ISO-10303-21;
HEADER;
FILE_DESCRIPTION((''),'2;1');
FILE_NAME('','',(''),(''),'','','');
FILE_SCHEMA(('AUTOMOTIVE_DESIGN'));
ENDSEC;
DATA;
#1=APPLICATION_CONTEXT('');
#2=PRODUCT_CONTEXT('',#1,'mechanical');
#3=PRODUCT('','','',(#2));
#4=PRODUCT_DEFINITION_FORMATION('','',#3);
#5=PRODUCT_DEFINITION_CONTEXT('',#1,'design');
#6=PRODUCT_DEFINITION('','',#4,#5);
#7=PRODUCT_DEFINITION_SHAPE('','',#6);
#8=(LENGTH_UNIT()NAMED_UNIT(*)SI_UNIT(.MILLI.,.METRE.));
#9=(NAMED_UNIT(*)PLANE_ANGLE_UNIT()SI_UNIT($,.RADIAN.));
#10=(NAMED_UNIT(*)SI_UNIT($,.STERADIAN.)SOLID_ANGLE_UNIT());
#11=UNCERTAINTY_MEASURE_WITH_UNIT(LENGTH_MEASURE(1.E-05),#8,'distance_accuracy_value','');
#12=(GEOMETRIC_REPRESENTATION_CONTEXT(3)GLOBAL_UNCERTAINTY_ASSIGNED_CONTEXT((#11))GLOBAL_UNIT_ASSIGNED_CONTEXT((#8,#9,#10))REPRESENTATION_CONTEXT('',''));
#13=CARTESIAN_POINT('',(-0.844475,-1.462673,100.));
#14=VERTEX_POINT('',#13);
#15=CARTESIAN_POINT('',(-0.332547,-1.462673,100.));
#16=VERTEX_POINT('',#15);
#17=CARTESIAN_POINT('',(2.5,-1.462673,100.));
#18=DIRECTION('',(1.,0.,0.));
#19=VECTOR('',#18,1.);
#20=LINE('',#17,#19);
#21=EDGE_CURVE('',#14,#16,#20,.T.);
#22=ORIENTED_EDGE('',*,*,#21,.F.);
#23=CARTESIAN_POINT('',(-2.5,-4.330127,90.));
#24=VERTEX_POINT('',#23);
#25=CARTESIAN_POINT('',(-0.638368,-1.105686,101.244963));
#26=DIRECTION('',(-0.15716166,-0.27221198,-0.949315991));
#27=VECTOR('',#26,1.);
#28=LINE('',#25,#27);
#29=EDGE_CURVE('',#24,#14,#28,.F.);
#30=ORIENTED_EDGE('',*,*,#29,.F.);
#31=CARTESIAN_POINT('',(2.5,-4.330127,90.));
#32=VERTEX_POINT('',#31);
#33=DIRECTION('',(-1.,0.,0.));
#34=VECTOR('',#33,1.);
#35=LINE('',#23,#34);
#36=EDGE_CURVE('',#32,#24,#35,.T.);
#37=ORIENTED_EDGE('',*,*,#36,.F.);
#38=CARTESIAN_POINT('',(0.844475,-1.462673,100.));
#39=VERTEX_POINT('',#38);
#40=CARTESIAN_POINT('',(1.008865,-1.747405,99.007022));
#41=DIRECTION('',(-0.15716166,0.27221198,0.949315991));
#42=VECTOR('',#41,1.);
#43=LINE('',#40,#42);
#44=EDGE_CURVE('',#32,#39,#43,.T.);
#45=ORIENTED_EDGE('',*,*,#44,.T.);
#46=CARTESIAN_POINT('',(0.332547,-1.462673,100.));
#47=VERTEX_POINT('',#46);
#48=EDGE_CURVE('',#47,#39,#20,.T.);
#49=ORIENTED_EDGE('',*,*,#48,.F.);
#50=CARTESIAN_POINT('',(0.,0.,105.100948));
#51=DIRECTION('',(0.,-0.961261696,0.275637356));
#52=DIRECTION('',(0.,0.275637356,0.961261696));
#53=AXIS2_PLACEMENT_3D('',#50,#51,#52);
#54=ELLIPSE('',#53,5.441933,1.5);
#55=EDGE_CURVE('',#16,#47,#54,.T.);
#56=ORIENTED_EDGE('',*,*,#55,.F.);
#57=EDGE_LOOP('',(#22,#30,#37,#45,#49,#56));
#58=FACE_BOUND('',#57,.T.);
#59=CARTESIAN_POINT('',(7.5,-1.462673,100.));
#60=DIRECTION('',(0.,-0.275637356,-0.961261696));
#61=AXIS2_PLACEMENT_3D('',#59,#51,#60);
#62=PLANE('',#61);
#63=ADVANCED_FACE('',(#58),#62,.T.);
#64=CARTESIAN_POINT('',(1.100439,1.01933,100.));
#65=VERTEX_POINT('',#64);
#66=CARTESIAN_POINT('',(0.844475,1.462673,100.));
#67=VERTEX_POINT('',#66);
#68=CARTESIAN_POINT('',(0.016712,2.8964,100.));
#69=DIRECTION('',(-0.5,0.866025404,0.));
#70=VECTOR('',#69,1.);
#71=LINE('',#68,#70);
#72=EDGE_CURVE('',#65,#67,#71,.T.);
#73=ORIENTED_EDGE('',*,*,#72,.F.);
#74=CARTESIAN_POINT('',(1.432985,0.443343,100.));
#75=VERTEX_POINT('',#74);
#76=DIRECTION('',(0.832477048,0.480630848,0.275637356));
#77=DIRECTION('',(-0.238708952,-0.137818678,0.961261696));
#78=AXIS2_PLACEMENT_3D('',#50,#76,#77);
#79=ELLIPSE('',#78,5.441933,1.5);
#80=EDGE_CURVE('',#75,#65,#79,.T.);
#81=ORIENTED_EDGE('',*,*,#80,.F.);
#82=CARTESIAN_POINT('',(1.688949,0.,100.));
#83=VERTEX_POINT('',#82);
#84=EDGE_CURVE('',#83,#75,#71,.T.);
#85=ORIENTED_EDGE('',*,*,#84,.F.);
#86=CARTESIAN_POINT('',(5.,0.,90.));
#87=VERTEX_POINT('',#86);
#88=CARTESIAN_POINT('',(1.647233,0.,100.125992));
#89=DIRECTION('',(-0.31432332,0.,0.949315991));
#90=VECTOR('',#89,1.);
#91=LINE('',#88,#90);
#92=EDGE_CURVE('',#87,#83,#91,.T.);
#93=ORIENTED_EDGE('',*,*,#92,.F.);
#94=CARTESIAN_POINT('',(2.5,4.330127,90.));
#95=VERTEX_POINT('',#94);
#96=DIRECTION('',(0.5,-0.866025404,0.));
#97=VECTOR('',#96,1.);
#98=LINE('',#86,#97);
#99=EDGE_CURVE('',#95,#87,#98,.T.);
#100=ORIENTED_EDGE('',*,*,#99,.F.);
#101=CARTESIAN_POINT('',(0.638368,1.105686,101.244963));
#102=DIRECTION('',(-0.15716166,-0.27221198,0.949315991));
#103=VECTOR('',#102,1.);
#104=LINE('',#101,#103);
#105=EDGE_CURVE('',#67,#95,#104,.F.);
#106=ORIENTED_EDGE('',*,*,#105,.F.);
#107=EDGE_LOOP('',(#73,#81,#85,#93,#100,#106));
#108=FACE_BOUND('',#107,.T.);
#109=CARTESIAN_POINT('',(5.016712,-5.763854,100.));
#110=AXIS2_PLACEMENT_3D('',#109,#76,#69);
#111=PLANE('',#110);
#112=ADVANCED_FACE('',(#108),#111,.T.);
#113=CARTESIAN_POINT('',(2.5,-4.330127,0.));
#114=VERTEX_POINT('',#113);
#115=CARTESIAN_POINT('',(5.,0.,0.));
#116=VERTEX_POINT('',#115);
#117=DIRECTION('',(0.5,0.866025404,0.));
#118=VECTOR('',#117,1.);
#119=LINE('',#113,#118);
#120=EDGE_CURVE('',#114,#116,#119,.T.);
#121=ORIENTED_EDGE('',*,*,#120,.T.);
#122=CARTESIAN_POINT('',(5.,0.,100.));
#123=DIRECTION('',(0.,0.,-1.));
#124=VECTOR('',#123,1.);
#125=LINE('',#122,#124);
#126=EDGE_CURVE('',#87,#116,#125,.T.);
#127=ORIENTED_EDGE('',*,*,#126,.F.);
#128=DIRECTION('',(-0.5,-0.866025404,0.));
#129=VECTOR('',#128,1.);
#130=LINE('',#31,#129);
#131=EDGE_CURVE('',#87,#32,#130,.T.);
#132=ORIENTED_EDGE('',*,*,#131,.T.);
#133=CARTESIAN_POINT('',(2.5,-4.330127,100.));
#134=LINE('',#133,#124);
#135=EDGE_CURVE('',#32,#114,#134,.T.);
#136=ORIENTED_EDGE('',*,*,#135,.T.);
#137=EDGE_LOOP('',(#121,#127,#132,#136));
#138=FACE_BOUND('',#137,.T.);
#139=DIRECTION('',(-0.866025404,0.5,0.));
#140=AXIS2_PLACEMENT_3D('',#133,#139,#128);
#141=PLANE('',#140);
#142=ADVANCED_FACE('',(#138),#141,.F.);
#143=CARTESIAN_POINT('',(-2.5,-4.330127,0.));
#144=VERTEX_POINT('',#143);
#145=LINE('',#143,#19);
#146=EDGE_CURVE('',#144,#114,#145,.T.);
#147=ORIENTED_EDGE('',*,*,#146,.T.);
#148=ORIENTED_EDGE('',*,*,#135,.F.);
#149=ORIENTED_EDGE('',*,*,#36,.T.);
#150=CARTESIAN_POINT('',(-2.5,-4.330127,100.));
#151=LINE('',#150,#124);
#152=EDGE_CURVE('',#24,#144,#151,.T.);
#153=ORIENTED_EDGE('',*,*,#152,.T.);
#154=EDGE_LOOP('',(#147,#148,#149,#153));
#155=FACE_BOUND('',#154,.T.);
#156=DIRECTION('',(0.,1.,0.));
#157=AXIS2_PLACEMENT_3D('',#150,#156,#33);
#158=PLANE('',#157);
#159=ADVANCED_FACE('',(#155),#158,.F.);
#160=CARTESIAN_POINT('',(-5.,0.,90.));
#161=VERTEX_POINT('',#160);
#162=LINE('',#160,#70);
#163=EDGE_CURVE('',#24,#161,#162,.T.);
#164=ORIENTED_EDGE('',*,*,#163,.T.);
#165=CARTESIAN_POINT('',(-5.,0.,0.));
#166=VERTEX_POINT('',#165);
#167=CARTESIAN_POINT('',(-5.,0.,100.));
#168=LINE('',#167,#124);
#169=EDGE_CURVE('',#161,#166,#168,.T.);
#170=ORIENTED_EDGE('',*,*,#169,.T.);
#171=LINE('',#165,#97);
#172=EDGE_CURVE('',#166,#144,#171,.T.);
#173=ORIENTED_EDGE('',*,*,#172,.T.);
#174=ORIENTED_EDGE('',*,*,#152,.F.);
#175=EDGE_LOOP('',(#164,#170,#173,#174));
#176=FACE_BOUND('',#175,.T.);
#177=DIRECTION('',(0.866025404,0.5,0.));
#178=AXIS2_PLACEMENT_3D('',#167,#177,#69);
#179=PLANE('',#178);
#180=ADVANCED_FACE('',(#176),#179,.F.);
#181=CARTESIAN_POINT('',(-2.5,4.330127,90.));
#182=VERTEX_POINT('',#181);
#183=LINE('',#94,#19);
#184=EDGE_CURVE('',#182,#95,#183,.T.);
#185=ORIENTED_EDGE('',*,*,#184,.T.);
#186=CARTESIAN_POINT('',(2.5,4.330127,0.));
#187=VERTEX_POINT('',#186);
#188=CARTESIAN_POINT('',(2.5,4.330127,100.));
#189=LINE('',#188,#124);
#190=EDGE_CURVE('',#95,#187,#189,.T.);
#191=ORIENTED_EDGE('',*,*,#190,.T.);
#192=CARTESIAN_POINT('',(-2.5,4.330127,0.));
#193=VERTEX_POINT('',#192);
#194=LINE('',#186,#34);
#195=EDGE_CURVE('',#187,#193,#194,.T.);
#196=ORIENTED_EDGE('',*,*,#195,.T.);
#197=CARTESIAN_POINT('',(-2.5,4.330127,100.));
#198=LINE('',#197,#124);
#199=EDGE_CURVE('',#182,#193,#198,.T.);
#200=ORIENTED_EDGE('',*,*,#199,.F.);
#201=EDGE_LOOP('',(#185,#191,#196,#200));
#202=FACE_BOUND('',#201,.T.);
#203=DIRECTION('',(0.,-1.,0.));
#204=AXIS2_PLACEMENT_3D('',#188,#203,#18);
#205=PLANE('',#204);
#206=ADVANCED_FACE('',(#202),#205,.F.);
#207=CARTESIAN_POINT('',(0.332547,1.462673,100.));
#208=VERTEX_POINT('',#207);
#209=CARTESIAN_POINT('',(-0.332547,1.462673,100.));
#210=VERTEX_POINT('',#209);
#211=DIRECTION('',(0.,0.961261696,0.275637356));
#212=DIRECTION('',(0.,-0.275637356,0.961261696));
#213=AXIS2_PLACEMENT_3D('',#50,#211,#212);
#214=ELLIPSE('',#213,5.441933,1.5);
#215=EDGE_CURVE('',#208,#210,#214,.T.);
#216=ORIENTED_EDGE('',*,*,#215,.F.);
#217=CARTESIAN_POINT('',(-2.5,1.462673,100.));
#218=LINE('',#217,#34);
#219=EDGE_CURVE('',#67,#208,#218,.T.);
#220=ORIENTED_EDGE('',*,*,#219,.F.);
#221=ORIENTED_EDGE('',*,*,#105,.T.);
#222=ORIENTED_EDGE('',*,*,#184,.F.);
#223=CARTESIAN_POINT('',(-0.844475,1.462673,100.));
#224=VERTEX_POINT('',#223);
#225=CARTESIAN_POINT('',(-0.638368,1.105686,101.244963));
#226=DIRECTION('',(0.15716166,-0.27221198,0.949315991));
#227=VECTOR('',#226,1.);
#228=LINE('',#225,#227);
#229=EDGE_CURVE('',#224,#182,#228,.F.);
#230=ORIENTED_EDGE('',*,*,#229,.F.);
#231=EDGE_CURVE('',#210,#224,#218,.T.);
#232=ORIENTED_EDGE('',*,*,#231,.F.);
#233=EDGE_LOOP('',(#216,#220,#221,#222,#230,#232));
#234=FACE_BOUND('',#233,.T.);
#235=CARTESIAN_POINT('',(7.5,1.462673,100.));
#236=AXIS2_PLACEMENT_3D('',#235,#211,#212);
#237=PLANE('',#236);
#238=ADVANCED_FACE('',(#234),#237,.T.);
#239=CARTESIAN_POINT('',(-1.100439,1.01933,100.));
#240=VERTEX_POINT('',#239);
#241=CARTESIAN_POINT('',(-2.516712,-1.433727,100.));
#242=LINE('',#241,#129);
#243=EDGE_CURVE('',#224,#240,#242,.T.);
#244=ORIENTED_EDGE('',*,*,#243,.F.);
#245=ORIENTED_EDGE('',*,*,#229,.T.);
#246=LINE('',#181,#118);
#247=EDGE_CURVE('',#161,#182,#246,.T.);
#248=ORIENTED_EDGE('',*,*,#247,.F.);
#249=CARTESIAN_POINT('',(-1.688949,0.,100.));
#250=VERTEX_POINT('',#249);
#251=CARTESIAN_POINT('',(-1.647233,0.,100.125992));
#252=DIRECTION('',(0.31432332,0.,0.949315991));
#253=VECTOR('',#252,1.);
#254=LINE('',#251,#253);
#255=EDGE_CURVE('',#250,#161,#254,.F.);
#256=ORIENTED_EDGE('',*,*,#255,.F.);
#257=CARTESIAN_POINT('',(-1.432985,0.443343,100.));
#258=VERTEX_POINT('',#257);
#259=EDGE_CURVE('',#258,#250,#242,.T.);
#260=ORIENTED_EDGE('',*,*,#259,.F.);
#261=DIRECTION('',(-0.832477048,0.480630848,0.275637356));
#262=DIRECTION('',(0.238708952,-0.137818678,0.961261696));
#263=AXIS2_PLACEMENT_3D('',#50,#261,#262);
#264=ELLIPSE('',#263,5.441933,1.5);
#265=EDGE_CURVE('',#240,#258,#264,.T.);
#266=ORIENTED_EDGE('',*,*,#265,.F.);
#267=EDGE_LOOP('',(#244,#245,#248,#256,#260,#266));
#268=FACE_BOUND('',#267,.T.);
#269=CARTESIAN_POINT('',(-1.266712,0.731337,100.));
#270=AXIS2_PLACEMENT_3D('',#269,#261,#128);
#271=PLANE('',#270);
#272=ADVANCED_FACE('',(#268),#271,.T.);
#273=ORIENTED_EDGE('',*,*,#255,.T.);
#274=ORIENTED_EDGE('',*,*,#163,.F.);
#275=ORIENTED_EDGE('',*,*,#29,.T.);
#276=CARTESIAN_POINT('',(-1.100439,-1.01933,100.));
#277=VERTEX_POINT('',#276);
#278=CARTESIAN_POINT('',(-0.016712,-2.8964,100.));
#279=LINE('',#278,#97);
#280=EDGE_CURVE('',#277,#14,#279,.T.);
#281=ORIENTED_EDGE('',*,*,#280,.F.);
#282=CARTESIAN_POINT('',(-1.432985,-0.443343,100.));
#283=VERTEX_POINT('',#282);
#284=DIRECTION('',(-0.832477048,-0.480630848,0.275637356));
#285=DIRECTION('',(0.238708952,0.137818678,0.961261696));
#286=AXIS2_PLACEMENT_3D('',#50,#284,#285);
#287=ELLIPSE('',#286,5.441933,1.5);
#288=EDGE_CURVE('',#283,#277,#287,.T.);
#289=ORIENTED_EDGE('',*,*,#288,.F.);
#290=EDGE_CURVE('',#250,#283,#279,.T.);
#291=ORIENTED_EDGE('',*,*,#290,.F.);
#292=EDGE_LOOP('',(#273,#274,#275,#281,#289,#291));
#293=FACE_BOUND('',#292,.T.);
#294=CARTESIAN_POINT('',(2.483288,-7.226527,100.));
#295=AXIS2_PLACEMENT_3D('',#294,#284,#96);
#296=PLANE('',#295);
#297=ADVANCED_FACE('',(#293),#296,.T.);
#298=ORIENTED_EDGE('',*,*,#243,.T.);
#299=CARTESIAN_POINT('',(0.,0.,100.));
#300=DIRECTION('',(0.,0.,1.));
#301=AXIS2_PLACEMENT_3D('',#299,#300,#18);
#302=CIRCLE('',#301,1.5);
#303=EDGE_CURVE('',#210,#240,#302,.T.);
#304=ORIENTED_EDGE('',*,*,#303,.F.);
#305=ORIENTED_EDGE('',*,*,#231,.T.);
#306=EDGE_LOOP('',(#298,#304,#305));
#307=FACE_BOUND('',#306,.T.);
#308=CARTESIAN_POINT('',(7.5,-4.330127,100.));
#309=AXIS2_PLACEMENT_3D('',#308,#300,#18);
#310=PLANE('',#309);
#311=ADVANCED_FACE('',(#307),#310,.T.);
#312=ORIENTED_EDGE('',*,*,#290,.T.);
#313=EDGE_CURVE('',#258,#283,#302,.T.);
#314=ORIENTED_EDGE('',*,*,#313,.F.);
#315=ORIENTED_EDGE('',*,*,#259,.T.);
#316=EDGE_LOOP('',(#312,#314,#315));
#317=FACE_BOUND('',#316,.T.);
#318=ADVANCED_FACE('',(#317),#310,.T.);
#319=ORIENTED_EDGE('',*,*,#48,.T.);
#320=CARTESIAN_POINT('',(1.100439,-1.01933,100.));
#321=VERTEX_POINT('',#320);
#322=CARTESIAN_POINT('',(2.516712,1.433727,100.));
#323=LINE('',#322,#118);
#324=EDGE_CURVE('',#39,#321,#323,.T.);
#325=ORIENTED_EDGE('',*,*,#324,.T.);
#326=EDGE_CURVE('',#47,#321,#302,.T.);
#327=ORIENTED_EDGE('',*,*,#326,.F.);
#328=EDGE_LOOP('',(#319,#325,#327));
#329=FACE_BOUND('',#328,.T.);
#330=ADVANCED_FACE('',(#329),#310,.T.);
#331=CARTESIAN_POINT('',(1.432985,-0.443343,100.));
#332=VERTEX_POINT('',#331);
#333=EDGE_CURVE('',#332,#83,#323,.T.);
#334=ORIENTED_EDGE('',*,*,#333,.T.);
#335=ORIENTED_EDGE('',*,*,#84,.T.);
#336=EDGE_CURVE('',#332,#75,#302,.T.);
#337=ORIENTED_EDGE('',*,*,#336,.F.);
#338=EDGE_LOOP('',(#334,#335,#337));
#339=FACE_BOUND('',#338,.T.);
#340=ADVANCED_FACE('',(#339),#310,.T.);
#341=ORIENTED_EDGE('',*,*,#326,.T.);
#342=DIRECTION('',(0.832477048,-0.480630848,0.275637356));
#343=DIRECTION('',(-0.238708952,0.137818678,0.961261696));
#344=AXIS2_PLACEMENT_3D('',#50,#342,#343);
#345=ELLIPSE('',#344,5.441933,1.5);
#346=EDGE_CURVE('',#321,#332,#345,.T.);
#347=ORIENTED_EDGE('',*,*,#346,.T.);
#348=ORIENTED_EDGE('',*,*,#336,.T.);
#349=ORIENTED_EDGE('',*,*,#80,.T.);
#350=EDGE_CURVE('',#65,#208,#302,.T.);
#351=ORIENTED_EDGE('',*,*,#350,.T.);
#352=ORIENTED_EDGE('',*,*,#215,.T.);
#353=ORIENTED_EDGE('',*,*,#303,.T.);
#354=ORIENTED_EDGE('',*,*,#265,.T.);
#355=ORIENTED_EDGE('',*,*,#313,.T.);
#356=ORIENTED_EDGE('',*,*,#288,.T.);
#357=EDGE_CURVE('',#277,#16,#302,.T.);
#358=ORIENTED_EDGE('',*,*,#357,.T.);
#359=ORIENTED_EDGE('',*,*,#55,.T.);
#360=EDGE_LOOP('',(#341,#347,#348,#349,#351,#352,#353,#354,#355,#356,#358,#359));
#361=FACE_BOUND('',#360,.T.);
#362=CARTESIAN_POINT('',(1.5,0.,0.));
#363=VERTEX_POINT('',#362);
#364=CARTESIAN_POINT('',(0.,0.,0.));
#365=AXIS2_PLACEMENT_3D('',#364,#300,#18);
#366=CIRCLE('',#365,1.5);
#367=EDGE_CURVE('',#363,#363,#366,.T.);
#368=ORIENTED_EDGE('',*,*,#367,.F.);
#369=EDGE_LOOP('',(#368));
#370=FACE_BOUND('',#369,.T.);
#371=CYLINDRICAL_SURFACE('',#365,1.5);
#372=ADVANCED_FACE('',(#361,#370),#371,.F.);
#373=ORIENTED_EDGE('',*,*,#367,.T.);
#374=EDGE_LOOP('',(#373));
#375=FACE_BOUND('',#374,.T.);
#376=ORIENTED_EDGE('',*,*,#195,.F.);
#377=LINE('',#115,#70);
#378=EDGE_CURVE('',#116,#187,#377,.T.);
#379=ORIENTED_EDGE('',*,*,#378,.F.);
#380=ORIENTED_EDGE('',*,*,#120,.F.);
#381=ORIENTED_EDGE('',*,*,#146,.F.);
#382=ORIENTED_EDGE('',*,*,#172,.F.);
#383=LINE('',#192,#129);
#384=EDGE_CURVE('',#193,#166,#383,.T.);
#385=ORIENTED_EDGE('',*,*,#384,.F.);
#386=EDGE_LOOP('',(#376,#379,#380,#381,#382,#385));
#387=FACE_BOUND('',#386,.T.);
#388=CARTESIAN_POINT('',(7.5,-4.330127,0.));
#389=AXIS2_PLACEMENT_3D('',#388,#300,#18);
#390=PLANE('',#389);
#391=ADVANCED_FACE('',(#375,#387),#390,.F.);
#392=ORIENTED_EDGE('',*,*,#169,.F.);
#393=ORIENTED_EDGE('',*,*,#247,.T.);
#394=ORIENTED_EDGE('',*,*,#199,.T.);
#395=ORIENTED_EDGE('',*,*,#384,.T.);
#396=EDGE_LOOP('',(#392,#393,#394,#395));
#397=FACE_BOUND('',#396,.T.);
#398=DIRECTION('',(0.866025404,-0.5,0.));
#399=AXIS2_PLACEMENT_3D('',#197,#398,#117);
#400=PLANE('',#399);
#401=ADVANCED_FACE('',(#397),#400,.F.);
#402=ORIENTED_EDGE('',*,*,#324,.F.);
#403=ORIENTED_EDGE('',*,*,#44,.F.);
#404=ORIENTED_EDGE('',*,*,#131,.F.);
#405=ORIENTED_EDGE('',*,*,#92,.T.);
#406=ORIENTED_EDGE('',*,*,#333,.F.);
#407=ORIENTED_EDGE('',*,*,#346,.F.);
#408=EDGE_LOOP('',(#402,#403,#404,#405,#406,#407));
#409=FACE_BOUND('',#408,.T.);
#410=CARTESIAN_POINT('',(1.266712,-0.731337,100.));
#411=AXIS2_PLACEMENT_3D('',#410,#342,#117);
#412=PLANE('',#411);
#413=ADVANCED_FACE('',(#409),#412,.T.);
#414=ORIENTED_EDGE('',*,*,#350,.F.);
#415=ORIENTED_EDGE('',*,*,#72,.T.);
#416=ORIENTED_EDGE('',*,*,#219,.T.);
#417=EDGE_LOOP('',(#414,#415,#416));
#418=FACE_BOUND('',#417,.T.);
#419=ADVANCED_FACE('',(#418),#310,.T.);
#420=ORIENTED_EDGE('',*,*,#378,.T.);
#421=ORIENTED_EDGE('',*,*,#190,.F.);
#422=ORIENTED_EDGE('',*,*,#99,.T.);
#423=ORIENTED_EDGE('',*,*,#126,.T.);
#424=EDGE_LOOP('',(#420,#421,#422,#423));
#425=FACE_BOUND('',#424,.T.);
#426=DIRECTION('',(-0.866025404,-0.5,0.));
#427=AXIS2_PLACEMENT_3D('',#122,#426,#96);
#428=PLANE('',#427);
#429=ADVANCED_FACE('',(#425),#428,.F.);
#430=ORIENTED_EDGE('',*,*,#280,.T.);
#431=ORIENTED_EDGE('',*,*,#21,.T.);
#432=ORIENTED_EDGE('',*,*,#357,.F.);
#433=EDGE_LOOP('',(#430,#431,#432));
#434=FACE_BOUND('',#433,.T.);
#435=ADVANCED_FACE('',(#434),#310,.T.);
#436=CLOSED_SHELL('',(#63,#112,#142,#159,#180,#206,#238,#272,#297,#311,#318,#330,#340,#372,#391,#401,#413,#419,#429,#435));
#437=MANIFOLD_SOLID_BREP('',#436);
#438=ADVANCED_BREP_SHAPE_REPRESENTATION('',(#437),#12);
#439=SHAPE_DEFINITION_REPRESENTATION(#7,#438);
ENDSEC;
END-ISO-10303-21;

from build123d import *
from OCP.BRepFilletAPI import BRepFilletAPI_MakeChamfer

# Parameters (mm, degrees)
VYSUNOUT1_DEPTH          = 100
ZKOSIT2_SIZE             = 10
ZKOSIT2_SIZE2            = 2.867453858
SKICA2_R                 = 1.5
ODEBRAT_VYSUNUT_M1_DEPTH = 101.218511264


with BuildPart() as part:
    # Skica1 → Vysunout1 (new body)
    with BuildSketch(Plane.XY):
        Polygon((2.5, -4.330127019), (5, 0), (2.5, 4.330127019), (-2.5, 4.330127019), (-5, 0), (-2.5, -4.330127019), align=None)
    extrude(amount=VYSUNOUT1_DEPTH)

    # Zkosit2: one chamfer whose edges measure the first distance from different faces: ONE call of the kernel's chamfer builder (chamfer() names one face for all edges)
    zkosit2_edges_1 = [part.edges().sort_by_distance(p)[0] for p in [
        (3.75, 2.165063509, 100),
    ]]
    zkosit2_side_1 = [part.faces().sort_by_distance(p)[0] for p in [
        (3.75, 2.165063509, 50),
    ]]
    zkosit2_edges_2 = [part.edges().sort_by_distance(p)[0] for p in [
        (0, 4.330127019, 100),
    ]]
    zkosit2_side_2 = [part.faces().sort_by_distance(p)[0] for p in [
        (0, 4.330127019, 50),
    ]]
    zkosit2_edges_3 = [part.edges().sort_by_distance(p)[0] for p in [
        (-3.75, 2.165063509, 100),
    ]]
    zkosit2_side_3 = [part.faces().sort_by_distance(p)[0] for p in [
        (-3.75, 2.165063509, 50),
    ]]
    zkosit2_edges_4 = [part.edges().sort_by_distance(p)[0] for p in [
        (-3.75, -2.165063509, 100),
    ]]
    zkosit2_side_4 = [part.faces().sort_by_distance(p)[0] for p in [
        (-3.75, -2.165063509, 50),
    ]]
    zkosit2_edges_5 = [part.edges().sort_by_distance(p)[0] for p in [
        (0, -4.330127019, 100),
    ]]
    zkosit2_side_5 = [part.faces().sort_by_distance(p)[0] for p in [
        (0, -4.330127019, 50),
    ]]
    zkosit2_edges_6 = [part.edges().sort_by_distance(p)[0] for p in [
        (3.75, -2.165063509, 100),
    ]]
    zkosit2_side_6 = [part.faces().sort_by_distance(p)[0] for p in [
        (3.75, -2.165063509, 50),
    ]]
    zkosit2 = BRepFilletAPI_MakeChamfer(part.part.solid().wrapped)
    for e in zkosit2_edges_1:
        zkosit2.Add(ZKOSIT2_SIZE, ZKOSIT2_SIZE2, e.wrapped, zkosit2_side_1[0].wrapped)  # the first distance lies on this face
    for e in zkosit2_edges_2:
        zkosit2.Add(ZKOSIT2_SIZE, ZKOSIT2_SIZE2, e.wrapped, zkosit2_side_2[0].wrapped)  # the first distance lies on this face
    for e in zkosit2_edges_3:
        zkosit2.Add(ZKOSIT2_SIZE, ZKOSIT2_SIZE2, e.wrapped, zkosit2_side_3[0].wrapped)  # the first distance lies on this face
    for e in zkosit2_edges_4:
        zkosit2.Add(ZKOSIT2_SIZE, ZKOSIT2_SIZE2, e.wrapped, zkosit2_side_4[0].wrapped)  # the first distance lies on this face
    for e in zkosit2_edges_5:
        zkosit2.Add(ZKOSIT2_SIZE, ZKOSIT2_SIZE2, e.wrapped, zkosit2_side_5[0].wrapped)  # the first distance lies on this face
    for e in zkosit2_edges_6:
        zkosit2.Add(ZKOSIT2_SIZE, ZKOSIT2_SIZE2, e.wrapped, zkosit2_side_6[0].wrapped)  # the first distance lies on this face
    add(Compound.cast(zkosit2.Shape()), mode=Mode.REPLACE)

    # Skica2 → Odebrat vysunutím1 (cut, through all)
    with BuildSketch(Plane.XY.offset(100)):
        Circle(SKICA2_R)
    extrude(amount=-ODEBRAT_VYSUNUT_M1_DEPTH, mode=Mode.SUBTRACT)


solid = part.part
